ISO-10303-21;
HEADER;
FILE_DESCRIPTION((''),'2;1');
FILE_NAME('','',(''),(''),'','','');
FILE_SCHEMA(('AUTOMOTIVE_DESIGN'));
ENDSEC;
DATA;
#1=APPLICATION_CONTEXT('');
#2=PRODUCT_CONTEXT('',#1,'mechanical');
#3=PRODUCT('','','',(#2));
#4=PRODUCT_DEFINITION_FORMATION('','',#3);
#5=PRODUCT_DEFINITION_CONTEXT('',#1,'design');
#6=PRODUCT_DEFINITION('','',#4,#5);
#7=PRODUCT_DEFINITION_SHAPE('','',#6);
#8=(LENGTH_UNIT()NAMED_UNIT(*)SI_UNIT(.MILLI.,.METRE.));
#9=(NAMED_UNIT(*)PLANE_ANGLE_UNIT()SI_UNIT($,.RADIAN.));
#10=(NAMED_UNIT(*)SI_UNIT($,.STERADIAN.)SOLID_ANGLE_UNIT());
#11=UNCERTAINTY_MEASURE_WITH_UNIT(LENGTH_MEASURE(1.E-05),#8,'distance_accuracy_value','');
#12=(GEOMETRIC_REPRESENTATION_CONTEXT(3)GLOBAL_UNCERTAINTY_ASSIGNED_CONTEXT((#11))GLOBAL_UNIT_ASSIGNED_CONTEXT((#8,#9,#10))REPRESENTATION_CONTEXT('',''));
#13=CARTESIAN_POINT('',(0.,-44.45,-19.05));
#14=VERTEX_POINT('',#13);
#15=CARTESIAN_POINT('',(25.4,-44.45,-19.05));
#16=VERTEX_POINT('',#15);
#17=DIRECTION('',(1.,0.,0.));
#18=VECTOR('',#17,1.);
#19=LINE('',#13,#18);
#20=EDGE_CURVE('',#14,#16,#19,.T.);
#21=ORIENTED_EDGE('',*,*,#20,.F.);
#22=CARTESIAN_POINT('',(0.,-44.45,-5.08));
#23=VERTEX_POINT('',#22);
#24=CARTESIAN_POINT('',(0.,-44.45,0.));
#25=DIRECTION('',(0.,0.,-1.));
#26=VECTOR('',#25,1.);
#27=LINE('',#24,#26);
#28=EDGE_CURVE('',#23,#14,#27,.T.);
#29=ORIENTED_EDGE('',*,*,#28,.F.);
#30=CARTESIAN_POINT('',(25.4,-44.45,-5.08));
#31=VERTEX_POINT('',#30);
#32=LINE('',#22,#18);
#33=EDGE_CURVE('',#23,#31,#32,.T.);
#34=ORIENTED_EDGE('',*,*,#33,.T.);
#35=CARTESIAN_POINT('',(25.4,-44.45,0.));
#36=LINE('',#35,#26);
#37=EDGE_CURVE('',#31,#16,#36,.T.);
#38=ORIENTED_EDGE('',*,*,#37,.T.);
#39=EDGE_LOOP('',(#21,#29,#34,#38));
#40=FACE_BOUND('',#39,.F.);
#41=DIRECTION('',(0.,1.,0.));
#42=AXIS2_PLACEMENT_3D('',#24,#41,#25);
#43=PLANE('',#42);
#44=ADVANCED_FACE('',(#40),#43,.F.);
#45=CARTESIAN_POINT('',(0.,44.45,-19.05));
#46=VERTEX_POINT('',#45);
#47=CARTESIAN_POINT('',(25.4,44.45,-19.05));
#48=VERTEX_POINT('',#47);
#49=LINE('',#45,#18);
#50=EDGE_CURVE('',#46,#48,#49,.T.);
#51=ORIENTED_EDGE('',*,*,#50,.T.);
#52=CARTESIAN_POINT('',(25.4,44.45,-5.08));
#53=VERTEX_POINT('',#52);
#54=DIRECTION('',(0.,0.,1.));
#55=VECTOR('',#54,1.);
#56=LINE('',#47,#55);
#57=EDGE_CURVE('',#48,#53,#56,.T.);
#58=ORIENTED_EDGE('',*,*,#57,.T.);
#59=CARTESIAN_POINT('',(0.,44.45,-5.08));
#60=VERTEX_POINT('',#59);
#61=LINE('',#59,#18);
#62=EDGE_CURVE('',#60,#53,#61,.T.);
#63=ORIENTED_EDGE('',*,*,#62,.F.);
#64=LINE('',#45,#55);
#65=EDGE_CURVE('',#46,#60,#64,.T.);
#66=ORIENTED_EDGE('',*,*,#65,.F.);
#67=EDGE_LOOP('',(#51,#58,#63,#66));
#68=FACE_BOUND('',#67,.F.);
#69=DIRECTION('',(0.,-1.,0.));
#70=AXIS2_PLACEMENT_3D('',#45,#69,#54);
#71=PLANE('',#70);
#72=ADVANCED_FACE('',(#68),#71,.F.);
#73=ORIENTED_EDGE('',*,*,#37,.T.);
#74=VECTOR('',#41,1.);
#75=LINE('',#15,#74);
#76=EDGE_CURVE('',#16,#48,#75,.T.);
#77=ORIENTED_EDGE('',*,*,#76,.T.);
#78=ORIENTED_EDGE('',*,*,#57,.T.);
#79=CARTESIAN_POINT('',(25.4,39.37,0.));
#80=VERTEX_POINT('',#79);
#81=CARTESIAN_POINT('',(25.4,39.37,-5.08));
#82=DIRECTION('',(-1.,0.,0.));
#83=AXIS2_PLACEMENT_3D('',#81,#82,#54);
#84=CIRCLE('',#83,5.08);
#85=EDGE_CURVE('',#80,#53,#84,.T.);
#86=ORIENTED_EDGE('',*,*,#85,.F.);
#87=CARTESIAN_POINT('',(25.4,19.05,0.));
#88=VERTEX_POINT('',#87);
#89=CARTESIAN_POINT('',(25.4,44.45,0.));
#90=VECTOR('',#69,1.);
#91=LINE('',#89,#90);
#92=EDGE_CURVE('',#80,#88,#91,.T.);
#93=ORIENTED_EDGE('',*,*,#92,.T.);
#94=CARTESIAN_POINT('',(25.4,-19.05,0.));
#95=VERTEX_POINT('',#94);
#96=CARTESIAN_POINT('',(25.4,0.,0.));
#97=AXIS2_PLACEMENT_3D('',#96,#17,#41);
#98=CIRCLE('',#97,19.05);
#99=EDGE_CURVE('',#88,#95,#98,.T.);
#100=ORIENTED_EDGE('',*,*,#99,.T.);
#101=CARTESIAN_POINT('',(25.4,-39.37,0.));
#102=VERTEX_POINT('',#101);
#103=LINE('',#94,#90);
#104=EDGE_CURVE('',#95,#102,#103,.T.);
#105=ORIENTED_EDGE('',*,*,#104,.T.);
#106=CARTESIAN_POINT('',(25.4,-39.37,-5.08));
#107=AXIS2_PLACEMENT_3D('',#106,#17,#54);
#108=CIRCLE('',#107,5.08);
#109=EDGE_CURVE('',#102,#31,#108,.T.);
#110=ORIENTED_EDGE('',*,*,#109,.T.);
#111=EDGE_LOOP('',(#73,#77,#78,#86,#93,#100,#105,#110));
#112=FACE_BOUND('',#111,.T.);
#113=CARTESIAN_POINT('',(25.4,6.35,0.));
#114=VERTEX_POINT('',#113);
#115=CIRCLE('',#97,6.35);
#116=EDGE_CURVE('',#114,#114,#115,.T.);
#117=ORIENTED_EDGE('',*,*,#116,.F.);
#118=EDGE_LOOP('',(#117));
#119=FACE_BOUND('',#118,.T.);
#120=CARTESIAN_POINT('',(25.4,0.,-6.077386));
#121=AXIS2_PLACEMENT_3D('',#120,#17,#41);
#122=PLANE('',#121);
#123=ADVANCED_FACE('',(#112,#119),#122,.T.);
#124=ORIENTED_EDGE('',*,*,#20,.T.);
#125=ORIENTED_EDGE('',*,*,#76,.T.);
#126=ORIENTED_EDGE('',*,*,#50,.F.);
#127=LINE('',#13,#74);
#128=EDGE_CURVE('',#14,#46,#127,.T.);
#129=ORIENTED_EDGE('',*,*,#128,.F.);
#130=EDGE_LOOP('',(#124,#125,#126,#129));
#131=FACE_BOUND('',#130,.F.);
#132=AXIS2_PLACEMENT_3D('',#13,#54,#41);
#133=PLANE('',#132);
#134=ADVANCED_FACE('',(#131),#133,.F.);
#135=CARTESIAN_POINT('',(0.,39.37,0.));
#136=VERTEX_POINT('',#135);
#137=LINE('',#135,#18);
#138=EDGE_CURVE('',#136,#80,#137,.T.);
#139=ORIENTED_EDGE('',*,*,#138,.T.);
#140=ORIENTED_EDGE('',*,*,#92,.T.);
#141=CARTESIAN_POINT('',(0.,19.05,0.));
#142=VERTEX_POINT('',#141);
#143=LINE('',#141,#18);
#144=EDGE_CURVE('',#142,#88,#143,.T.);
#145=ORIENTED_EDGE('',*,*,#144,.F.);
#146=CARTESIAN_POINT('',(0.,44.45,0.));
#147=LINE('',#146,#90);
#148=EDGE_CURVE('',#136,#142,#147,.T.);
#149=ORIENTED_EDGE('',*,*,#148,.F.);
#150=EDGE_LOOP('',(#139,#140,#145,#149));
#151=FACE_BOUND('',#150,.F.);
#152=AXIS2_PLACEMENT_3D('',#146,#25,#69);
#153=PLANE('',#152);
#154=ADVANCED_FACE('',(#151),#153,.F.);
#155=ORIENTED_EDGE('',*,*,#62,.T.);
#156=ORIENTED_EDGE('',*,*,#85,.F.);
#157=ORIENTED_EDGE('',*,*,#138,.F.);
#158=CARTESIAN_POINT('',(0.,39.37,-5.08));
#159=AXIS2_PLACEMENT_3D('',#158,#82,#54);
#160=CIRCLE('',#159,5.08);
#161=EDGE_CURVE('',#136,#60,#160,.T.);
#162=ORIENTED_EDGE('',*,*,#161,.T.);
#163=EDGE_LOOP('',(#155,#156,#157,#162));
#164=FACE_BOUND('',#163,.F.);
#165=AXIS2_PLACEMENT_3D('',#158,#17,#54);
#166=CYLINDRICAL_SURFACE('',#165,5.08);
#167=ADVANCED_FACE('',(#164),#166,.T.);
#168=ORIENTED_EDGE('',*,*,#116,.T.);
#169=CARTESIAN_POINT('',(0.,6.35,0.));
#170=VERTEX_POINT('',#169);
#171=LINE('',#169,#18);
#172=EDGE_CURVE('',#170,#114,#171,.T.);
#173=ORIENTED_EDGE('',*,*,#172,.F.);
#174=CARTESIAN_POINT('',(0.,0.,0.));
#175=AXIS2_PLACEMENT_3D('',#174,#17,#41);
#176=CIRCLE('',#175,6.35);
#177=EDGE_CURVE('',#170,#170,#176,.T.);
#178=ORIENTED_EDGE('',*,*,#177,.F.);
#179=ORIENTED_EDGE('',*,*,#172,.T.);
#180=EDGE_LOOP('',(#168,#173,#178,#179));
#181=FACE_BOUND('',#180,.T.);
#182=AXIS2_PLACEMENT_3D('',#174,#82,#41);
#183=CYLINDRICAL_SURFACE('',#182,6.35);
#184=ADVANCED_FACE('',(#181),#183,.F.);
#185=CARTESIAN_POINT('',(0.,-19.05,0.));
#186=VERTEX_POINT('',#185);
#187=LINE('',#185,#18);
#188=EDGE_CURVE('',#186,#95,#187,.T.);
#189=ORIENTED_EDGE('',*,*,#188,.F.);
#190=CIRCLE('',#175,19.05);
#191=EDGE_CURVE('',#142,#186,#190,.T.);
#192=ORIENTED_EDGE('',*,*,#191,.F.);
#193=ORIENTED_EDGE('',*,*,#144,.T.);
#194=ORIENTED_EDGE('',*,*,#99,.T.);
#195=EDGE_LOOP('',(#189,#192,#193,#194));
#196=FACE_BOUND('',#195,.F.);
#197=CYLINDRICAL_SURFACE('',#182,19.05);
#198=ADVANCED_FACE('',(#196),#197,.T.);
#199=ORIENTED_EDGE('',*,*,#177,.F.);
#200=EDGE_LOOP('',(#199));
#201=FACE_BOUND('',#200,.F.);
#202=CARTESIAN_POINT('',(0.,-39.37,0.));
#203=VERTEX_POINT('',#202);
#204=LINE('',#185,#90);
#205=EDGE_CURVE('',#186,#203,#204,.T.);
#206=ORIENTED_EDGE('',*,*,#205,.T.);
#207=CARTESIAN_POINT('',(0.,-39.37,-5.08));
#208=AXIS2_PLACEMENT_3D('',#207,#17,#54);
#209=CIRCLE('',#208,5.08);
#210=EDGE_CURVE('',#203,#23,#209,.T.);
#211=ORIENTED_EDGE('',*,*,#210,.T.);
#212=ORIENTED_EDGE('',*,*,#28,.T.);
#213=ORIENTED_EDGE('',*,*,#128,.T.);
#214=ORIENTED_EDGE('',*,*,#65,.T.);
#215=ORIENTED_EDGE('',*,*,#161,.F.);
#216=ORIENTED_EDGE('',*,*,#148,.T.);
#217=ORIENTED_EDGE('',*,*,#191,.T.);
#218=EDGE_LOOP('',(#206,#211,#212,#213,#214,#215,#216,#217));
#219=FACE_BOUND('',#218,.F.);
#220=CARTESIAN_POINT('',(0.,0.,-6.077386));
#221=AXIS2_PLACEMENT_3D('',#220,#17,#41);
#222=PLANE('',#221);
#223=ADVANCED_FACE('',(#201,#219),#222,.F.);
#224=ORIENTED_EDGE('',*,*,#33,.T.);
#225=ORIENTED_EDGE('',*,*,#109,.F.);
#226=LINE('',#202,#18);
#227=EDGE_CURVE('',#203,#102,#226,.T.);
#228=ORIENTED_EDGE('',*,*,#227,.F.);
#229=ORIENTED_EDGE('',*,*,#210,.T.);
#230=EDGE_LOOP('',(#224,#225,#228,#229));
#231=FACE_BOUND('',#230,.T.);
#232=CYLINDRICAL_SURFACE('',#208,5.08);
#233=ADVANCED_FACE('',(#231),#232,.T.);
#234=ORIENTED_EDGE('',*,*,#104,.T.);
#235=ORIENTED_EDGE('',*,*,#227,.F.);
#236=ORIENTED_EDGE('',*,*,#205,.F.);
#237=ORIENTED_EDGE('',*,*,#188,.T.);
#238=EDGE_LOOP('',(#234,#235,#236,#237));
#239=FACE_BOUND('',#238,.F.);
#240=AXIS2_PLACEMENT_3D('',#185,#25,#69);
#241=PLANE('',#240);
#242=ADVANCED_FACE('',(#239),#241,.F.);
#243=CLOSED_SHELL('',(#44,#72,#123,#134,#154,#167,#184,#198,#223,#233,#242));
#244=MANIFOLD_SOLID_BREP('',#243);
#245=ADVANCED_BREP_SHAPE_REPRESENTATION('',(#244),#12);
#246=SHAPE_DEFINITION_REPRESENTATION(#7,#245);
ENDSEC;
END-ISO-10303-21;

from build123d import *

# Parameters (mm, degrees)
F0_R     = 6.35
F1_DEPTH = 25.4
F2_R     = 5.08
F3_R     = 5.08


with BuildPart() as f1:
    # F0 (on Right) → F1 (new body)
    with BuildSketch(Plane.YZ):
        with BuildLine():
            Line((44.45, 0), (19.05, 0))
            ThreePointArc((19.05, 0), (0, 19.05), (-19.05, 0))
            Line((-19.05, 0), (-44.45, 0))
            Line((-44.45, 0), (-44.45, -19.05))
            Line((-44.45, -19.05), (44.45, -19.05))
            Line((44.45, -19.05), (44.45, 0))
        make_face()
        Circle(F0_R, mode=Mode.SUBTRACT)
    extrude(amount=F1_DEPTH)

    # F2
    f2_edges = [f1.edges().sort_by_distance(p)[0] for p in [
        (12.7, 44.45, 0),
    ]]
    fillet(f2_edges, radius=F2_R)

    # F3
    f3_edges = [f1.edges().sort_by_distance(p)[0] for p in [
        (12.7, -44.45, 0),
    ]]
    fillet(f3_edges, radius=F3_R)


solid = f1.part
